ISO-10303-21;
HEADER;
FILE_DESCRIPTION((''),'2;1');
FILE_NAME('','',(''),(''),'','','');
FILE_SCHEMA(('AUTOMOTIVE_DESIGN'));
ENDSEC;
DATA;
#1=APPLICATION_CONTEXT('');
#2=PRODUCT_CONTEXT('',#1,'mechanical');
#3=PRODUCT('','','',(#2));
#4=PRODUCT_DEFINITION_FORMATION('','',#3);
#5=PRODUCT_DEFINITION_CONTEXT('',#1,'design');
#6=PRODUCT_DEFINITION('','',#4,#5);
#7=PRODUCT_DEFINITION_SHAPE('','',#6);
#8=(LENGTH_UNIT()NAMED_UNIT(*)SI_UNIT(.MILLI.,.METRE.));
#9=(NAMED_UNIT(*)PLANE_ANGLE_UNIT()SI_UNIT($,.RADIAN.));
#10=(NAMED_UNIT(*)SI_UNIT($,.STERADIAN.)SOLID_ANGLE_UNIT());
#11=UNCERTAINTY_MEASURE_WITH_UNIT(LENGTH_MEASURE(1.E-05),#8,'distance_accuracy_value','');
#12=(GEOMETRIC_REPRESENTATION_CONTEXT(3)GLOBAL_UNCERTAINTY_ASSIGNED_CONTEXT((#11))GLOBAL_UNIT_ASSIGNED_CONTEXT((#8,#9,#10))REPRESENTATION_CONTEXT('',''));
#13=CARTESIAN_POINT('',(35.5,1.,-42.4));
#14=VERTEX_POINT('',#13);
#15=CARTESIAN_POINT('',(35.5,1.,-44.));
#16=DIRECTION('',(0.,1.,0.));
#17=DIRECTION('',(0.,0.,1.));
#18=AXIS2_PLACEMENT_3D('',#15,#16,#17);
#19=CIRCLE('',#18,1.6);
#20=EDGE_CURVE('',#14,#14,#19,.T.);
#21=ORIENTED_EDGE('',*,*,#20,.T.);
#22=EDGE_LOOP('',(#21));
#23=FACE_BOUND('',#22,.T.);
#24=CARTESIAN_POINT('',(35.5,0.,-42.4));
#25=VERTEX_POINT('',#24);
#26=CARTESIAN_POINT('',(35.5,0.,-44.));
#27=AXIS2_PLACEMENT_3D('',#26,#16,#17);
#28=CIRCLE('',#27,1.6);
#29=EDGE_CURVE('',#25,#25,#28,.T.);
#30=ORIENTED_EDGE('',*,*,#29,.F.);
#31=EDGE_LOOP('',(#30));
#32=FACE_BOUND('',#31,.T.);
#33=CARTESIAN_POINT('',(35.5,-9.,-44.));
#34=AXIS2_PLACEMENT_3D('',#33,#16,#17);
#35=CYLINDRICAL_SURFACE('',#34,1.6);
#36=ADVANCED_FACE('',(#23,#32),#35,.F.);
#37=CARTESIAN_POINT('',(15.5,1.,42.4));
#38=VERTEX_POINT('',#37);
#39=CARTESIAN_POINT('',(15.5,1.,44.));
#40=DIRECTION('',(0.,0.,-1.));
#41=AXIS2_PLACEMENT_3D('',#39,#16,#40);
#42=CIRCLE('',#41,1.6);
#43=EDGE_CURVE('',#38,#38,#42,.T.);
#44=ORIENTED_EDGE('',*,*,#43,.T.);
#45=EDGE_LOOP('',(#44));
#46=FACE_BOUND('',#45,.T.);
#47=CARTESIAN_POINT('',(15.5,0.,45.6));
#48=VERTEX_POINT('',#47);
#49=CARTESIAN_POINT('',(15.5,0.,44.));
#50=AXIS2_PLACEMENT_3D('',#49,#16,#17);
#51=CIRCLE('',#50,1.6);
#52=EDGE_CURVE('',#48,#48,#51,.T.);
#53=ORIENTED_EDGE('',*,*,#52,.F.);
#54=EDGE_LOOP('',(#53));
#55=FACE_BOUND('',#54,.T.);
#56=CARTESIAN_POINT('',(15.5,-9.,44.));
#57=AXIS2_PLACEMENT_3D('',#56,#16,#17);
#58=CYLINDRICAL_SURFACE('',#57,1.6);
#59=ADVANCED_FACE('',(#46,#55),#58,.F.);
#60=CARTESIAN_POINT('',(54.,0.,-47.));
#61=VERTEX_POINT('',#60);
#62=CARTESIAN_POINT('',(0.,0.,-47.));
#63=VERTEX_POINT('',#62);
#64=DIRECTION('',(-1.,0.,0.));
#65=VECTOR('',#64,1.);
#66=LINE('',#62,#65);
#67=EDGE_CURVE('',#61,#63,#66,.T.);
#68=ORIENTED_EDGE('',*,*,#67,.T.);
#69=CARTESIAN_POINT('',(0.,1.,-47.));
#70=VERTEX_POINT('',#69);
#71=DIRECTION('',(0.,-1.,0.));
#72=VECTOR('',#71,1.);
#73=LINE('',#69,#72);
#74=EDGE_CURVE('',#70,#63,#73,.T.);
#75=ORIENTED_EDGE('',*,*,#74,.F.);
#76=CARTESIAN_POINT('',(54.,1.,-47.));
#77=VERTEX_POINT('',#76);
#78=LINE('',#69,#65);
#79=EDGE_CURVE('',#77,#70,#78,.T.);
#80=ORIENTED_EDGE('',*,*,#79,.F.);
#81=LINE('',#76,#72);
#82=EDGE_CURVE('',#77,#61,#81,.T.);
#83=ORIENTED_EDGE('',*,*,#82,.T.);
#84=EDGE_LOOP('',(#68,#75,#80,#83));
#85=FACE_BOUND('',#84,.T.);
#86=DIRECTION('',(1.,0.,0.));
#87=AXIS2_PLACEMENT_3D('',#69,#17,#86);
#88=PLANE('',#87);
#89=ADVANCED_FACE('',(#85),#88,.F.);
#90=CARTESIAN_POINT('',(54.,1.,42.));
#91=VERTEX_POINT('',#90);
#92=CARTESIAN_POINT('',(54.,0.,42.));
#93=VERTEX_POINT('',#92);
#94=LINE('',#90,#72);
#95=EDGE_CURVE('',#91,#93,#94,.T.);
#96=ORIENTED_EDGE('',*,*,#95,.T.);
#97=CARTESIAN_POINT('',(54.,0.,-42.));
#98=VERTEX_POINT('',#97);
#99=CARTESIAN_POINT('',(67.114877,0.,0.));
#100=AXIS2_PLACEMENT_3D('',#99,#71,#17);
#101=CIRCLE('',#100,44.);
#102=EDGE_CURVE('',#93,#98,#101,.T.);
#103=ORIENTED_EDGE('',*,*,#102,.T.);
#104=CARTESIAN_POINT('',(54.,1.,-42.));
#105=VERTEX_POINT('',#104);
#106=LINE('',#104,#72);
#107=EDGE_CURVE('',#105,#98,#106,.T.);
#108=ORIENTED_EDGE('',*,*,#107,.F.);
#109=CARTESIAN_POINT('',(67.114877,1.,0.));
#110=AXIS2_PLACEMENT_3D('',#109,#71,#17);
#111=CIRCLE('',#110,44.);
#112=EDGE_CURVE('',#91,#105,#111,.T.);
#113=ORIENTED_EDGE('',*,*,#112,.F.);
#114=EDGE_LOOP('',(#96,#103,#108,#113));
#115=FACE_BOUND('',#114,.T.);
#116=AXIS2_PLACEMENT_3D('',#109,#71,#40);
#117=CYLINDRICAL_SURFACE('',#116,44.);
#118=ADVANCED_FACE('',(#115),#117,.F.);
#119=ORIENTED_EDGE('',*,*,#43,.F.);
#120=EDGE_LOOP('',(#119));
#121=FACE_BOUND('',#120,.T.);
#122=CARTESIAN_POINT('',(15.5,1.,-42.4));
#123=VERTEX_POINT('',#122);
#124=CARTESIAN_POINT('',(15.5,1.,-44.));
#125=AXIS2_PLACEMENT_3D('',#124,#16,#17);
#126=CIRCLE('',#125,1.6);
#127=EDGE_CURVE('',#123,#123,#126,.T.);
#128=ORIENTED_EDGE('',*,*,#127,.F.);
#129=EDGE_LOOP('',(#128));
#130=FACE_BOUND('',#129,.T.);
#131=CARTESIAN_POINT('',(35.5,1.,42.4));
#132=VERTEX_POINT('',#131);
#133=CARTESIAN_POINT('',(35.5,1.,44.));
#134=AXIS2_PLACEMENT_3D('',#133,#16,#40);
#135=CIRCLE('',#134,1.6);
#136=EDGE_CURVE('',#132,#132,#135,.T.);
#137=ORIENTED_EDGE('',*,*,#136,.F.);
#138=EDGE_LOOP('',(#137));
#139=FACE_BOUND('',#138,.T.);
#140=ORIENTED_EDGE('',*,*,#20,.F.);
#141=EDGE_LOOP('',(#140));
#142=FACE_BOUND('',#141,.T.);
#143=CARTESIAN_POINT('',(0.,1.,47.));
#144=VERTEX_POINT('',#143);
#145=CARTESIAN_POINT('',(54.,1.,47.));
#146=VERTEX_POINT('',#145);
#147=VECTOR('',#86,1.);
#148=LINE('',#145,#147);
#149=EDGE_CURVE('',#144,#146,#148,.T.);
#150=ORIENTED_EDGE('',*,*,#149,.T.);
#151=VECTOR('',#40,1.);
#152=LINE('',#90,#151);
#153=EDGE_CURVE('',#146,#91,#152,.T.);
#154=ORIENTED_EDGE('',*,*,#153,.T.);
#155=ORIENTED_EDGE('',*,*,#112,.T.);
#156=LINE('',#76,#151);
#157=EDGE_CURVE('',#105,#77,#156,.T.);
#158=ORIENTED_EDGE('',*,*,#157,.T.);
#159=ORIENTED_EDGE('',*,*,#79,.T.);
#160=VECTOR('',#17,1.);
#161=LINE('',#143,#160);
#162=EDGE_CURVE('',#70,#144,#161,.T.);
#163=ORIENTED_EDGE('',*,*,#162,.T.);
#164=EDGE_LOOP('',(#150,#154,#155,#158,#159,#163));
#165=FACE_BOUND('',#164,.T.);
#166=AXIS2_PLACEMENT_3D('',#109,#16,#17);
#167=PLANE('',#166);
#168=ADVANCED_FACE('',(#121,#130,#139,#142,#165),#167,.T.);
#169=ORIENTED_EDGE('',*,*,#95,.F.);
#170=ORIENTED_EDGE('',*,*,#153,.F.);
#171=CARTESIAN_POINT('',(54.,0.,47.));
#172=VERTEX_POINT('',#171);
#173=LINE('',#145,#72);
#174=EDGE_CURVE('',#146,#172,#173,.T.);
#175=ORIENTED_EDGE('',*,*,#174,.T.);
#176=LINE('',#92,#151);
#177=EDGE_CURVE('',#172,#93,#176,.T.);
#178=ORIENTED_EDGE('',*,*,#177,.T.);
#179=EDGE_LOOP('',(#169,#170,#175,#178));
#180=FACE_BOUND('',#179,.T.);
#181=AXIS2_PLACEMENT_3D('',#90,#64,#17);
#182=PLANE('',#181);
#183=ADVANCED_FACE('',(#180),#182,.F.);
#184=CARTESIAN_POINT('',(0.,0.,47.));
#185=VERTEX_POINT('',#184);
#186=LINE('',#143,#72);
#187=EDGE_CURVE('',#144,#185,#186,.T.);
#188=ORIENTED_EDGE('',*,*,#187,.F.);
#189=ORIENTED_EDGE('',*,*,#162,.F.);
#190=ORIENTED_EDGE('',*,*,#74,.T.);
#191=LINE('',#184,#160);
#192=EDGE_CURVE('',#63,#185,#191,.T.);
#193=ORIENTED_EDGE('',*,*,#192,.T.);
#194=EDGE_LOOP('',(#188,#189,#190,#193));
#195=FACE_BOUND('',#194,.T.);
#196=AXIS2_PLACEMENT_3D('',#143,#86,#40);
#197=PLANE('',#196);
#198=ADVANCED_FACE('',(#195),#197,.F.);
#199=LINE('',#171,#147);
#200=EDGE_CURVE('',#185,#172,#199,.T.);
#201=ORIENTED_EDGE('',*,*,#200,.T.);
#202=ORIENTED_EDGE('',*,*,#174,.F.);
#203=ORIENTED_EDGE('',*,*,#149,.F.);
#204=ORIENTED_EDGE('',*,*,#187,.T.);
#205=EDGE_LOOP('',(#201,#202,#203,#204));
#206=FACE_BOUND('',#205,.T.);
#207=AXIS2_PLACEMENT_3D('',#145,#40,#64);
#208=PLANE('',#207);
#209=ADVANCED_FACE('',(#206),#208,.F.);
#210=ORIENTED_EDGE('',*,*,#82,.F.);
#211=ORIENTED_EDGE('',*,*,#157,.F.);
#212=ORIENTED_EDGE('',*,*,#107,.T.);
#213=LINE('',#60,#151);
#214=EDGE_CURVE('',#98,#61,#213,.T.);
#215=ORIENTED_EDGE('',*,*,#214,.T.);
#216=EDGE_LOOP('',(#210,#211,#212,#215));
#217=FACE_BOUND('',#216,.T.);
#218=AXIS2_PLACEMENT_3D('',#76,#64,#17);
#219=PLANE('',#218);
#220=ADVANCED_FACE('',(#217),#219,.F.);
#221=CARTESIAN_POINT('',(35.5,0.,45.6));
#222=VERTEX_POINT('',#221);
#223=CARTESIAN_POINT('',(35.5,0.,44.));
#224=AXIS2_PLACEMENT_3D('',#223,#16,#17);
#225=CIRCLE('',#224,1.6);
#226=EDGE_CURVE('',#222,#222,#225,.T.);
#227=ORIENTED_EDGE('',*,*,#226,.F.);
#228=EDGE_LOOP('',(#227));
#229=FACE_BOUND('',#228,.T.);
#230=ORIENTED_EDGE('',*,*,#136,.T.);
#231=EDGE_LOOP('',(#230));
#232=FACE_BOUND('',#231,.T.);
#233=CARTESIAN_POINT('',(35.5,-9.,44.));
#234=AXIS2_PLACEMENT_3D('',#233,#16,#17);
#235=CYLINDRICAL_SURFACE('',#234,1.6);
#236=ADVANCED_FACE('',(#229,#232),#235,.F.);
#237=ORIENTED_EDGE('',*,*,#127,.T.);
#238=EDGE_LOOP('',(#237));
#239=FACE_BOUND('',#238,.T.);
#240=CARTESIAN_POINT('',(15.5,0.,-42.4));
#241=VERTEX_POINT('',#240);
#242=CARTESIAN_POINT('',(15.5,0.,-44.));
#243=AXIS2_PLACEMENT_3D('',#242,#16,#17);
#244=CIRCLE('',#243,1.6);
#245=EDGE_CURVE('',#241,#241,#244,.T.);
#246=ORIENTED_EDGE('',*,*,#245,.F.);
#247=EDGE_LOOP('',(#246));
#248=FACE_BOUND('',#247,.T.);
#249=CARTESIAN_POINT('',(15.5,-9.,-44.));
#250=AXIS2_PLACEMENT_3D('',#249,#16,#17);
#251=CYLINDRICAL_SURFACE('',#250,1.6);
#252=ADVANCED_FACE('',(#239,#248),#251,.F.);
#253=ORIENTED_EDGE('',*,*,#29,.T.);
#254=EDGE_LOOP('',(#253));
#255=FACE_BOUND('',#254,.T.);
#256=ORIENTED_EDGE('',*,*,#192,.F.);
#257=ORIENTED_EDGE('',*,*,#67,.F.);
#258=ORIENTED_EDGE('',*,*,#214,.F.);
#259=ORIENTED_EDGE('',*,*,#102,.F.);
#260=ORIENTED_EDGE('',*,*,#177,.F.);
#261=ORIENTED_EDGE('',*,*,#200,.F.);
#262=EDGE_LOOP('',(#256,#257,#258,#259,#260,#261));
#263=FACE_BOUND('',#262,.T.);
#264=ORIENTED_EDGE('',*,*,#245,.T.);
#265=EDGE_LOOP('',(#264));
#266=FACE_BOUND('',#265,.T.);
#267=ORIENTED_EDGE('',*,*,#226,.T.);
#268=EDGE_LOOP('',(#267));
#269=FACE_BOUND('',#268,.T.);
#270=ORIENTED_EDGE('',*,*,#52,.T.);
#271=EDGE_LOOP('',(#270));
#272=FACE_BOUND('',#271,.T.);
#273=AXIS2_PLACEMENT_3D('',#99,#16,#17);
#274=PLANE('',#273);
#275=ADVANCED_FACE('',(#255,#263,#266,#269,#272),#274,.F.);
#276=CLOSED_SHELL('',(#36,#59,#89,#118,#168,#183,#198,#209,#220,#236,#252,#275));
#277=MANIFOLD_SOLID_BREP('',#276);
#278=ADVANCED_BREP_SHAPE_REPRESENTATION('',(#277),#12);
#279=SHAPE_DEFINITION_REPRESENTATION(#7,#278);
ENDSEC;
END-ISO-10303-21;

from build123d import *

# Parameters (mm, degrees)
EXTRUDE_1_DEPTH     = 1
SKETCH_3_R          = 1.6
CUT_EXTRUDE_1_DEPTH = 10


with BuildPart() as part:
    # 草图2 → 凸台-拉伸1 (new body)
    with BuildSketch(Plane(origin=(0, 0, 0), x_dir=(1, 0, 0), z_dir=(0, 1, 0))):
        with BuildLine():
            Line((0, -47), (0, 47))
            Line((0, 47), (54, 47))
            Line((54, 47), (54, 42))
            ThreePointArc((54, 42), (23.114877049, 0), (54, -42))
            Line((54, -42), (54, -47))
            Line((54, -47), (0, -47))
        make_face()
    extrude(amount=EXTRUDE_1_DEPTH)

    # 草图3 → 切除-拉伸1 (cut)
    with BuildSketch(Plane(origin=(0, 1, 0), x_dir=(1, 0, 0), z_dir=(0, 1, 0))):
        with Locations(Location((15.5, 44, 0), (0, 0, 270))):
            Circle(SKETCH_3_R)
        with Locations(Location((35.5, 44, 0), (0, 0, 270))):
            Circle(SKETCH_3_R)
        with Locations(Location((15.5, -44, 0), (0, 0, 270))):
            Circle(SKETCH_3_R)
        with Locations(Location((35.5, -44, 0), (0, 0, 270))):
            Circle(SKETCH_3_R)
    extrude(amount=-CUT_EXTRUDE_1_DEPTH, mode=Mode.SUBTRACT)


solid = part.part
